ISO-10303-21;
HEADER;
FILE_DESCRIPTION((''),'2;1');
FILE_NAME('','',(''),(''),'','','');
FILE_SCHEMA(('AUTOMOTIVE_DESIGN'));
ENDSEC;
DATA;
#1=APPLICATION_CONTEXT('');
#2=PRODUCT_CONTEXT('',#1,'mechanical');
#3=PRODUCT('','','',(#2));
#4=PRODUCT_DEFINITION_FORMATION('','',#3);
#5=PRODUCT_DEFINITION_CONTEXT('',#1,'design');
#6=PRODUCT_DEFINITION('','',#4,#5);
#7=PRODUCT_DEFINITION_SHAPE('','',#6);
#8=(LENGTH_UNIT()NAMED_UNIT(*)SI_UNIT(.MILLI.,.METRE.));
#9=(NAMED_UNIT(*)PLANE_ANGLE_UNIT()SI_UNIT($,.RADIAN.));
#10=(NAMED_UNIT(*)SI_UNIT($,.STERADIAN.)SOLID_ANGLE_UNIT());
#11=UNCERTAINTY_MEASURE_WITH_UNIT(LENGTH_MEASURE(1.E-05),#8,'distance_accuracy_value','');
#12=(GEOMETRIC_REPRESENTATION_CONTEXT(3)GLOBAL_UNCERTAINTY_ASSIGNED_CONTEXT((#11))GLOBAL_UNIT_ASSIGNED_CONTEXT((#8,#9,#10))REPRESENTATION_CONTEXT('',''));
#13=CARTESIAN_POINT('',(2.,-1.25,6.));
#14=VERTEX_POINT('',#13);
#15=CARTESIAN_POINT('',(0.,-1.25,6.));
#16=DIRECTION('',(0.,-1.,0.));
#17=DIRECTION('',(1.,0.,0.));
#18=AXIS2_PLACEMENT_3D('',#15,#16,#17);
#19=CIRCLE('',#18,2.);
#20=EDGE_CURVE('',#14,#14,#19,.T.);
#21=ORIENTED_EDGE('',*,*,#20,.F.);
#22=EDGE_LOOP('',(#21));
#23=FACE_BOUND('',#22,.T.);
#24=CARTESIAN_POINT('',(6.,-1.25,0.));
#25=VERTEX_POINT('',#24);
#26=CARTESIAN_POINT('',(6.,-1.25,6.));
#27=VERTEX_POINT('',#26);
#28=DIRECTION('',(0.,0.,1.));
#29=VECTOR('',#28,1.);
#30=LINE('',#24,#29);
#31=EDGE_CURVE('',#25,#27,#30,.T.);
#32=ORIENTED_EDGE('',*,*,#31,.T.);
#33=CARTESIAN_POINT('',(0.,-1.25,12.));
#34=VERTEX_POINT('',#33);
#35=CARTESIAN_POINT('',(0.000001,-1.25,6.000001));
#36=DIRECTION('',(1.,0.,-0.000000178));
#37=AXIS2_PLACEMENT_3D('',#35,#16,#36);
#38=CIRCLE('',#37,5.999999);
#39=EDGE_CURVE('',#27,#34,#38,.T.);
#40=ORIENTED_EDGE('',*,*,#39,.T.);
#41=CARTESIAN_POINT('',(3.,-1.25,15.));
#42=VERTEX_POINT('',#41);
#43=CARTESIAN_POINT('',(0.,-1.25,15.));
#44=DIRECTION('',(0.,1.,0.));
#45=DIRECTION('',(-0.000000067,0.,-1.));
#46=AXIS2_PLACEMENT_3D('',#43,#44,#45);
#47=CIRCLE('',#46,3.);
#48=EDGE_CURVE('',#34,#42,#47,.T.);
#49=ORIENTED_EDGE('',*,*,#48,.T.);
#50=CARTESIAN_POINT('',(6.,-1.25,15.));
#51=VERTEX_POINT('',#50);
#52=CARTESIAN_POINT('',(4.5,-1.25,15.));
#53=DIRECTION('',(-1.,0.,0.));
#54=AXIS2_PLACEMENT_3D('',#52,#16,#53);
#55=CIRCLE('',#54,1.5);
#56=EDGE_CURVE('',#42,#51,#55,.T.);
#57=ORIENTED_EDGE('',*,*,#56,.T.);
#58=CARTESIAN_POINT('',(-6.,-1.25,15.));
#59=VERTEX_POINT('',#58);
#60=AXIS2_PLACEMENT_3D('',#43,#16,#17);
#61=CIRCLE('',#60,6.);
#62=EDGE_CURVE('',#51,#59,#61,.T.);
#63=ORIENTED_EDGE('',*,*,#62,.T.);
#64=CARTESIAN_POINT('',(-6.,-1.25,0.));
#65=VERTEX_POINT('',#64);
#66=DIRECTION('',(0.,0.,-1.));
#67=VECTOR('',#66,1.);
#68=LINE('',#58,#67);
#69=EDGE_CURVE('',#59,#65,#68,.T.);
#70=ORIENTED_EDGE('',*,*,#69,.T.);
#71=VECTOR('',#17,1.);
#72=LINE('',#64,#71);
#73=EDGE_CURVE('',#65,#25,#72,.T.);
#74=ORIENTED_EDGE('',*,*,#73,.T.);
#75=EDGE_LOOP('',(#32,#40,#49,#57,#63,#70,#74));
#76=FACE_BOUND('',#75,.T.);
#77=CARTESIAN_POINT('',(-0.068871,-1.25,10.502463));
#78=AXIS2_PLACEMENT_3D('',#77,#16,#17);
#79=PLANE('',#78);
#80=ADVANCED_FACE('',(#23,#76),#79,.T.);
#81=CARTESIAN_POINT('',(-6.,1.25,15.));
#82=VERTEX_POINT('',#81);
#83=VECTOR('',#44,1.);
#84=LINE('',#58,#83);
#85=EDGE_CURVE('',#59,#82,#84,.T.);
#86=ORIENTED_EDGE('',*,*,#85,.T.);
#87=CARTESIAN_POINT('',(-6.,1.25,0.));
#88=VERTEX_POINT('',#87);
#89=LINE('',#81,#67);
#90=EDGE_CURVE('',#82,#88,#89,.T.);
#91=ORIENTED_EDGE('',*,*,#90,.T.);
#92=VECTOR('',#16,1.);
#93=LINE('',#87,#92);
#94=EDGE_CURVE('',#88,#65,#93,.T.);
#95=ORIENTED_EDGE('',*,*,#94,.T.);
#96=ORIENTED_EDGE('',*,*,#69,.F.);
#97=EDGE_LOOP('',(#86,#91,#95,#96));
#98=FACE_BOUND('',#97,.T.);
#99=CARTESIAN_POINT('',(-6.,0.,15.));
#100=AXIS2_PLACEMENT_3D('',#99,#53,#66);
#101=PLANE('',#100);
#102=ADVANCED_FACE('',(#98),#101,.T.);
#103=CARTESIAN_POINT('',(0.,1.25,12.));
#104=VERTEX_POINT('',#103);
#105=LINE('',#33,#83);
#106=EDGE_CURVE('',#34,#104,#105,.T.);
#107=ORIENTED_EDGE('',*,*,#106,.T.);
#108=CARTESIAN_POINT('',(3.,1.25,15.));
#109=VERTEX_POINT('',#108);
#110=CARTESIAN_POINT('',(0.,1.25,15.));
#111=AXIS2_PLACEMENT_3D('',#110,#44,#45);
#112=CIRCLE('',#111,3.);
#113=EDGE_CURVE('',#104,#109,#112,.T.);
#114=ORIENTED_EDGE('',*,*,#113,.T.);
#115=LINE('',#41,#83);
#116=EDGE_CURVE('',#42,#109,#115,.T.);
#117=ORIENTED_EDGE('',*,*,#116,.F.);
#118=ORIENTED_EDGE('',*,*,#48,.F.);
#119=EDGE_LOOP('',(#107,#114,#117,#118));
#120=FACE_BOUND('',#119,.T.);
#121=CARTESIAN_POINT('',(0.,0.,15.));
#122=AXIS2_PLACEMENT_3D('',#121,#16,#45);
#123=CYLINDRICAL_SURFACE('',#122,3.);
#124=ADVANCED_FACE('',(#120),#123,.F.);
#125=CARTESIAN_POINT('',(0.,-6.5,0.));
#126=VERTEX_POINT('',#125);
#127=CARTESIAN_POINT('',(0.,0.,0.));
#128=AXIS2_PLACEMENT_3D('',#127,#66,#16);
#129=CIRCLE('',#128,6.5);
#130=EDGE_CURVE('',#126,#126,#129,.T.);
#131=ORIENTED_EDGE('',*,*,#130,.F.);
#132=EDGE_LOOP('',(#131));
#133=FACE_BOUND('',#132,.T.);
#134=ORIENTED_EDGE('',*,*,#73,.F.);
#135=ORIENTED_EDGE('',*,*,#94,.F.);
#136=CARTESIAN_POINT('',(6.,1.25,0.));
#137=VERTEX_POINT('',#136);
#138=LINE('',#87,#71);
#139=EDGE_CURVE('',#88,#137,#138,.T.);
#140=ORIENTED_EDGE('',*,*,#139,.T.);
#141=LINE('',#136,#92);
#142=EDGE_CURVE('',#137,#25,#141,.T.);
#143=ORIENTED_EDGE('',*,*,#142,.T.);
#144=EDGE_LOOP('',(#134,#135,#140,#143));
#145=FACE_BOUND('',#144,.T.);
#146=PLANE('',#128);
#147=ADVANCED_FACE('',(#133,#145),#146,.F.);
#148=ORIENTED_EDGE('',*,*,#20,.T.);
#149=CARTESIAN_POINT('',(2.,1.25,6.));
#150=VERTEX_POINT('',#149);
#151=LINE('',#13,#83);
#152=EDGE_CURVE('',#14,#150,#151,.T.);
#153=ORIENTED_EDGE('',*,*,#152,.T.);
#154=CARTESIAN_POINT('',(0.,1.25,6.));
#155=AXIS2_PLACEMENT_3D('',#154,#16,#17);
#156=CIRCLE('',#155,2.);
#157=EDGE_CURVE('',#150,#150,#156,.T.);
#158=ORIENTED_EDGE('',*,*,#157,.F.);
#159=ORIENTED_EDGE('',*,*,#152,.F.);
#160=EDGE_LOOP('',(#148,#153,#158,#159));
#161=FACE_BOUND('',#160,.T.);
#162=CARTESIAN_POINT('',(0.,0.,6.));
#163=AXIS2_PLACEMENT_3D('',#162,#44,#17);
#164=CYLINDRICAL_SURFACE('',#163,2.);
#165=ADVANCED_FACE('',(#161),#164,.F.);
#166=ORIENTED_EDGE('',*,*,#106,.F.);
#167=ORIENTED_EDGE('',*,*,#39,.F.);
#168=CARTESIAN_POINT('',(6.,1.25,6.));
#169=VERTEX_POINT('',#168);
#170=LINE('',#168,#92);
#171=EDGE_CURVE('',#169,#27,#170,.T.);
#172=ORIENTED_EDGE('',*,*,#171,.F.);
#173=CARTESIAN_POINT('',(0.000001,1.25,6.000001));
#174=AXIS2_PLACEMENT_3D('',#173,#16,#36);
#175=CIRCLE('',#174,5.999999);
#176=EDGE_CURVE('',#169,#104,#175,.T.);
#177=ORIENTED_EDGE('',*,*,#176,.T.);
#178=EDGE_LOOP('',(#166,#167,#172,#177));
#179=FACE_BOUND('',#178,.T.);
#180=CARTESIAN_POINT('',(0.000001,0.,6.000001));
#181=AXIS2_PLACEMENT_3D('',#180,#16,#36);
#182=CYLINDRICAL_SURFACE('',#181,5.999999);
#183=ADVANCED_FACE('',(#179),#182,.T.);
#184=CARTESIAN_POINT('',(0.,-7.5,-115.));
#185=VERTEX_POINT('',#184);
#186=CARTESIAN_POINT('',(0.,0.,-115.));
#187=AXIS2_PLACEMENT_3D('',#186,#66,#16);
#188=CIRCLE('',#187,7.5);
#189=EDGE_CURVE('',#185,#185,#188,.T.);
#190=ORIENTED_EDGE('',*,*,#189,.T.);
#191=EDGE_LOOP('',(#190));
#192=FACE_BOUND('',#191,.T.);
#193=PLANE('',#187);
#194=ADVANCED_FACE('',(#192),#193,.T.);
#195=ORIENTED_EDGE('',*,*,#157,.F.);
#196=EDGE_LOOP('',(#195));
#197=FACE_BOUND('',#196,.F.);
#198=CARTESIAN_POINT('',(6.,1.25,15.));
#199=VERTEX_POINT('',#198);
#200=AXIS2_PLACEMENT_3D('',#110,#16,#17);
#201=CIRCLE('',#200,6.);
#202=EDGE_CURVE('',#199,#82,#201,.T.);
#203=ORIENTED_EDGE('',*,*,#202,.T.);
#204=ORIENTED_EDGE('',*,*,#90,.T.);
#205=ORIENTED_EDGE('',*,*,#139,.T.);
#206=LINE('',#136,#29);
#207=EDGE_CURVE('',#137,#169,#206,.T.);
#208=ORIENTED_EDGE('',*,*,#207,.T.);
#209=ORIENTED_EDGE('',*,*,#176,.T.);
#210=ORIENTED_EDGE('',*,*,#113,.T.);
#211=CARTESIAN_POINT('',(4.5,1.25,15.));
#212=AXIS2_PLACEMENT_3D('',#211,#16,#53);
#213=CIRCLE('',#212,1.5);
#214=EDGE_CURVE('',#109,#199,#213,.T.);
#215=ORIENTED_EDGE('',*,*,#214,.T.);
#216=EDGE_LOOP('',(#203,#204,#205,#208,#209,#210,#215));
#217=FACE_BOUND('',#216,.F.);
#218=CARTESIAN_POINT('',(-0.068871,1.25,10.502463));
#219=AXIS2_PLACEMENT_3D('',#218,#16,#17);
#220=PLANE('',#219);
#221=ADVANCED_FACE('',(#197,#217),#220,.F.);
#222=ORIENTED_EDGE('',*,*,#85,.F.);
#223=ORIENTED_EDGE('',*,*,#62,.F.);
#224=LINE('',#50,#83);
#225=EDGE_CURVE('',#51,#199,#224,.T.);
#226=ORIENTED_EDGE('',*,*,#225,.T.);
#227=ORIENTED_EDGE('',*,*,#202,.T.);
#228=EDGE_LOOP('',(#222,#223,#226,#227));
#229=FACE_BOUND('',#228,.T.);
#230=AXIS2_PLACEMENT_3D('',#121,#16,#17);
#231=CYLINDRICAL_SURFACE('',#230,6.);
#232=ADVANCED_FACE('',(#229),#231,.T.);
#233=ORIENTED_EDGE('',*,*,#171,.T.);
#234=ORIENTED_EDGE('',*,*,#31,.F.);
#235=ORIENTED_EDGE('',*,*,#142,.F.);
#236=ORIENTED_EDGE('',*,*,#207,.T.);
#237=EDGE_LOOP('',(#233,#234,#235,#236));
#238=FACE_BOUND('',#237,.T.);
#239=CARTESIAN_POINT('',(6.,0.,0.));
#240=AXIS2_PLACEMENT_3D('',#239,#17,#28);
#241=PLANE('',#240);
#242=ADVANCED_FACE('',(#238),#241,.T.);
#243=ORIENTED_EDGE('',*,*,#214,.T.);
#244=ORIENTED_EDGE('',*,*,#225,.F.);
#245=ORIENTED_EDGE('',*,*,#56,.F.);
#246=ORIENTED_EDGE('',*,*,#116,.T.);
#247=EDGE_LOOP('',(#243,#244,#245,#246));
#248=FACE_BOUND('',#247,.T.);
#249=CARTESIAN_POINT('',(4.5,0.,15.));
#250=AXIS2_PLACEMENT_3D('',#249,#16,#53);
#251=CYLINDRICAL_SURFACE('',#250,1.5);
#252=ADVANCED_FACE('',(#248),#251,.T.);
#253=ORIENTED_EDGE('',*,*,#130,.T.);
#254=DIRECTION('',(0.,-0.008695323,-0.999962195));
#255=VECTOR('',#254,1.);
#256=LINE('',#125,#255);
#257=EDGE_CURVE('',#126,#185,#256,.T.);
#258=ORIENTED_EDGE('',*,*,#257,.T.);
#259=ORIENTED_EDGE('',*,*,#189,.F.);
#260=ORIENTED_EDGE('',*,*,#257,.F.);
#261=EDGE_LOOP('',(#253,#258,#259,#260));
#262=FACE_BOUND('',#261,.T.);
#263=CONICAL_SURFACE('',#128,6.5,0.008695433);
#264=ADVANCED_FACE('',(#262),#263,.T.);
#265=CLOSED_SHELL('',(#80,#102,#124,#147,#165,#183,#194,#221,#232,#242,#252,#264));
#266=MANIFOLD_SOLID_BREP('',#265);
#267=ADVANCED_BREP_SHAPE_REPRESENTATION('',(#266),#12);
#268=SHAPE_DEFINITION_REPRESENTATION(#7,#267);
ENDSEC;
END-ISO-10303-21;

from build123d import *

# Parameters (mm, degrees)
F0_R     = 2
F1_DEPTH = 1.25


with BuildPart() as f1:
    # F0 (on Front) → F1 (new body, symmetric)
    with BuildSketch(Plane.XZ):
        with BuildLine():
            Line((-6, 15), (-6, 0))
            Line((-6, 0), (6, 0))
            Line((6, 0), (6, 6))
            ThreePointArc((6, 6), (4.242641, 10.242641), (0, 12))
            ThreePointArc((0, 12), (-2.12132, 17.12132), (3, 15))
            ThreePointArc((3, 15), (4.5, 13.5), (6, 15))
            ThreePointArc((6, 15), (0, 21), (-6, 15))
        make_face()
        with Locations((0, 6)):
            Circle(F0_R, mode=Mode.SUBTRACT)
    extrude(amount=F1_DEPTH, both=True)

    # F2 (on Right) → F3 (revolve)
    with BuildSketch(Plane.YZ):
        Polygon((0, -115), (0, 0), (-6.5, 0), (-7.5, -115), align=None)
    revolve(axis=Axis((0, 0, -57.5), (0, 0, -1)))


solid = f1.part
